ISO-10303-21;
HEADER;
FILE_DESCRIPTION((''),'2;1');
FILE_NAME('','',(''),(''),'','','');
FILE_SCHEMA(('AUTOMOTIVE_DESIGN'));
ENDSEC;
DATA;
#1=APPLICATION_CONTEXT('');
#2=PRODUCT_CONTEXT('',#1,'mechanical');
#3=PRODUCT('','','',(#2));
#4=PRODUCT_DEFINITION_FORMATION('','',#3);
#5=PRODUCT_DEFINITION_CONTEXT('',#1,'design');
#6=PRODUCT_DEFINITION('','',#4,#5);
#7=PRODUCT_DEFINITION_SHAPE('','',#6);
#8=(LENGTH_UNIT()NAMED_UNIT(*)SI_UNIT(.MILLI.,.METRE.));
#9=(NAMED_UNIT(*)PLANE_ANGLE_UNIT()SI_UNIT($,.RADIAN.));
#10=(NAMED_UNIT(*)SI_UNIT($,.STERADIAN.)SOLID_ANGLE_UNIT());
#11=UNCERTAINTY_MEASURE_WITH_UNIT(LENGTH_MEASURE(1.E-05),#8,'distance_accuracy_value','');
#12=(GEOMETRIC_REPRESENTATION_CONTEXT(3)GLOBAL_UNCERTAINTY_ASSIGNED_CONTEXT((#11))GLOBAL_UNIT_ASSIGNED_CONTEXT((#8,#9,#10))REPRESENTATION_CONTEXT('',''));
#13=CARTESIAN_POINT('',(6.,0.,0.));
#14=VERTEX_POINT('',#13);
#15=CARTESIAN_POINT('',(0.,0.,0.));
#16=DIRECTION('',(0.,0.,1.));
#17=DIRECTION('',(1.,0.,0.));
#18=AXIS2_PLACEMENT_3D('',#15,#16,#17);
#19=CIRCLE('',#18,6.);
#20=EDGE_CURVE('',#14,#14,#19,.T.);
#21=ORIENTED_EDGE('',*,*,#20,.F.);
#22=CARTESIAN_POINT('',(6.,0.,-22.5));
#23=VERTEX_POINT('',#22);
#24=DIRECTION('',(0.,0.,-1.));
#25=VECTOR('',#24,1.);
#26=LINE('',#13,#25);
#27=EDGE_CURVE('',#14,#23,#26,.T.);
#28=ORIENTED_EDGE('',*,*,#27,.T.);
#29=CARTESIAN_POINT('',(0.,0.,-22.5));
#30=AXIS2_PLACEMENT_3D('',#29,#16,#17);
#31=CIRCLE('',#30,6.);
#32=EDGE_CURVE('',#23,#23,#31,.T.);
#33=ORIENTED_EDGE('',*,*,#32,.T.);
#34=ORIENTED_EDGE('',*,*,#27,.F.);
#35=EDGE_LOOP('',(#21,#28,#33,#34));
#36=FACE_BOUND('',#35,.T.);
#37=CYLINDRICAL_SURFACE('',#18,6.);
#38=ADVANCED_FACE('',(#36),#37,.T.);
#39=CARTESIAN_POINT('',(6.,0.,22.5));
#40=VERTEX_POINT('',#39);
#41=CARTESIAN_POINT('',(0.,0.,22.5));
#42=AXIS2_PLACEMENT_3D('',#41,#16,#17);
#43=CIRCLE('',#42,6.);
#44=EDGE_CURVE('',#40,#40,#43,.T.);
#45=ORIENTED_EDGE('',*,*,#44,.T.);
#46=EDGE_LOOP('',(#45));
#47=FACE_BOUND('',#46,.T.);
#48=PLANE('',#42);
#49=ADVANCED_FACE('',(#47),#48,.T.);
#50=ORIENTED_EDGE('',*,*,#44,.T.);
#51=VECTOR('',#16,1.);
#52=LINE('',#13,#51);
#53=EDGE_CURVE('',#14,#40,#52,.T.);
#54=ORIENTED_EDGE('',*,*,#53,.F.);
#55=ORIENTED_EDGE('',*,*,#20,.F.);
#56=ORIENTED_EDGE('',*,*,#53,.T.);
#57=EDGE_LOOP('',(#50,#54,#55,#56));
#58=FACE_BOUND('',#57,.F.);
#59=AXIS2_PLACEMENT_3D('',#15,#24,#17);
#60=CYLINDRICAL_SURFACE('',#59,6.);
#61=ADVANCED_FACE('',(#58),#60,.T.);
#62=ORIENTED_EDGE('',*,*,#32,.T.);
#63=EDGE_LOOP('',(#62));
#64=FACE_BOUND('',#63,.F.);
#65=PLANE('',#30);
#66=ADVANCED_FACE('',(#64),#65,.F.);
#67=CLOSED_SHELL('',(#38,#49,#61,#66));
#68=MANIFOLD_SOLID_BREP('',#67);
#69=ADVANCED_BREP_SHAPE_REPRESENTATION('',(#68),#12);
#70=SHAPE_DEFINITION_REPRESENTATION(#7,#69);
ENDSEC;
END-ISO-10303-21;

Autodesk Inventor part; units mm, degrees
ref_plane "YZ Plane" through (0, 0, 0) normal (1, 0, 0) x (0, 1, 0)
ref_plane "XZ Plane" through (0, 0, 0) normal (0, 1, 0) x (-1, 0, 0)
ref_plane "XY Plane" through (0, 0, 0) normal (0, 0, 1) x (1, 0, 0)
sketch "Sketch1" plane through (0, 0, 0) normal (0, 0, 1) x (1, 0, 0)
  circle A0 centre (0, 0) radius 6
  dimension "d0" = 12
extrude "Extrusion1" add sketch "Sketch1" along normal mid plane 45
equation "\"d0\" = Шпил_пласт_НОС_диам_шпильки"
equation "\"Шпил_пласт_НОС_диам_шпильки\" = 12"
properties part number "ДМФ 043 шпилька 2 v2.0"
